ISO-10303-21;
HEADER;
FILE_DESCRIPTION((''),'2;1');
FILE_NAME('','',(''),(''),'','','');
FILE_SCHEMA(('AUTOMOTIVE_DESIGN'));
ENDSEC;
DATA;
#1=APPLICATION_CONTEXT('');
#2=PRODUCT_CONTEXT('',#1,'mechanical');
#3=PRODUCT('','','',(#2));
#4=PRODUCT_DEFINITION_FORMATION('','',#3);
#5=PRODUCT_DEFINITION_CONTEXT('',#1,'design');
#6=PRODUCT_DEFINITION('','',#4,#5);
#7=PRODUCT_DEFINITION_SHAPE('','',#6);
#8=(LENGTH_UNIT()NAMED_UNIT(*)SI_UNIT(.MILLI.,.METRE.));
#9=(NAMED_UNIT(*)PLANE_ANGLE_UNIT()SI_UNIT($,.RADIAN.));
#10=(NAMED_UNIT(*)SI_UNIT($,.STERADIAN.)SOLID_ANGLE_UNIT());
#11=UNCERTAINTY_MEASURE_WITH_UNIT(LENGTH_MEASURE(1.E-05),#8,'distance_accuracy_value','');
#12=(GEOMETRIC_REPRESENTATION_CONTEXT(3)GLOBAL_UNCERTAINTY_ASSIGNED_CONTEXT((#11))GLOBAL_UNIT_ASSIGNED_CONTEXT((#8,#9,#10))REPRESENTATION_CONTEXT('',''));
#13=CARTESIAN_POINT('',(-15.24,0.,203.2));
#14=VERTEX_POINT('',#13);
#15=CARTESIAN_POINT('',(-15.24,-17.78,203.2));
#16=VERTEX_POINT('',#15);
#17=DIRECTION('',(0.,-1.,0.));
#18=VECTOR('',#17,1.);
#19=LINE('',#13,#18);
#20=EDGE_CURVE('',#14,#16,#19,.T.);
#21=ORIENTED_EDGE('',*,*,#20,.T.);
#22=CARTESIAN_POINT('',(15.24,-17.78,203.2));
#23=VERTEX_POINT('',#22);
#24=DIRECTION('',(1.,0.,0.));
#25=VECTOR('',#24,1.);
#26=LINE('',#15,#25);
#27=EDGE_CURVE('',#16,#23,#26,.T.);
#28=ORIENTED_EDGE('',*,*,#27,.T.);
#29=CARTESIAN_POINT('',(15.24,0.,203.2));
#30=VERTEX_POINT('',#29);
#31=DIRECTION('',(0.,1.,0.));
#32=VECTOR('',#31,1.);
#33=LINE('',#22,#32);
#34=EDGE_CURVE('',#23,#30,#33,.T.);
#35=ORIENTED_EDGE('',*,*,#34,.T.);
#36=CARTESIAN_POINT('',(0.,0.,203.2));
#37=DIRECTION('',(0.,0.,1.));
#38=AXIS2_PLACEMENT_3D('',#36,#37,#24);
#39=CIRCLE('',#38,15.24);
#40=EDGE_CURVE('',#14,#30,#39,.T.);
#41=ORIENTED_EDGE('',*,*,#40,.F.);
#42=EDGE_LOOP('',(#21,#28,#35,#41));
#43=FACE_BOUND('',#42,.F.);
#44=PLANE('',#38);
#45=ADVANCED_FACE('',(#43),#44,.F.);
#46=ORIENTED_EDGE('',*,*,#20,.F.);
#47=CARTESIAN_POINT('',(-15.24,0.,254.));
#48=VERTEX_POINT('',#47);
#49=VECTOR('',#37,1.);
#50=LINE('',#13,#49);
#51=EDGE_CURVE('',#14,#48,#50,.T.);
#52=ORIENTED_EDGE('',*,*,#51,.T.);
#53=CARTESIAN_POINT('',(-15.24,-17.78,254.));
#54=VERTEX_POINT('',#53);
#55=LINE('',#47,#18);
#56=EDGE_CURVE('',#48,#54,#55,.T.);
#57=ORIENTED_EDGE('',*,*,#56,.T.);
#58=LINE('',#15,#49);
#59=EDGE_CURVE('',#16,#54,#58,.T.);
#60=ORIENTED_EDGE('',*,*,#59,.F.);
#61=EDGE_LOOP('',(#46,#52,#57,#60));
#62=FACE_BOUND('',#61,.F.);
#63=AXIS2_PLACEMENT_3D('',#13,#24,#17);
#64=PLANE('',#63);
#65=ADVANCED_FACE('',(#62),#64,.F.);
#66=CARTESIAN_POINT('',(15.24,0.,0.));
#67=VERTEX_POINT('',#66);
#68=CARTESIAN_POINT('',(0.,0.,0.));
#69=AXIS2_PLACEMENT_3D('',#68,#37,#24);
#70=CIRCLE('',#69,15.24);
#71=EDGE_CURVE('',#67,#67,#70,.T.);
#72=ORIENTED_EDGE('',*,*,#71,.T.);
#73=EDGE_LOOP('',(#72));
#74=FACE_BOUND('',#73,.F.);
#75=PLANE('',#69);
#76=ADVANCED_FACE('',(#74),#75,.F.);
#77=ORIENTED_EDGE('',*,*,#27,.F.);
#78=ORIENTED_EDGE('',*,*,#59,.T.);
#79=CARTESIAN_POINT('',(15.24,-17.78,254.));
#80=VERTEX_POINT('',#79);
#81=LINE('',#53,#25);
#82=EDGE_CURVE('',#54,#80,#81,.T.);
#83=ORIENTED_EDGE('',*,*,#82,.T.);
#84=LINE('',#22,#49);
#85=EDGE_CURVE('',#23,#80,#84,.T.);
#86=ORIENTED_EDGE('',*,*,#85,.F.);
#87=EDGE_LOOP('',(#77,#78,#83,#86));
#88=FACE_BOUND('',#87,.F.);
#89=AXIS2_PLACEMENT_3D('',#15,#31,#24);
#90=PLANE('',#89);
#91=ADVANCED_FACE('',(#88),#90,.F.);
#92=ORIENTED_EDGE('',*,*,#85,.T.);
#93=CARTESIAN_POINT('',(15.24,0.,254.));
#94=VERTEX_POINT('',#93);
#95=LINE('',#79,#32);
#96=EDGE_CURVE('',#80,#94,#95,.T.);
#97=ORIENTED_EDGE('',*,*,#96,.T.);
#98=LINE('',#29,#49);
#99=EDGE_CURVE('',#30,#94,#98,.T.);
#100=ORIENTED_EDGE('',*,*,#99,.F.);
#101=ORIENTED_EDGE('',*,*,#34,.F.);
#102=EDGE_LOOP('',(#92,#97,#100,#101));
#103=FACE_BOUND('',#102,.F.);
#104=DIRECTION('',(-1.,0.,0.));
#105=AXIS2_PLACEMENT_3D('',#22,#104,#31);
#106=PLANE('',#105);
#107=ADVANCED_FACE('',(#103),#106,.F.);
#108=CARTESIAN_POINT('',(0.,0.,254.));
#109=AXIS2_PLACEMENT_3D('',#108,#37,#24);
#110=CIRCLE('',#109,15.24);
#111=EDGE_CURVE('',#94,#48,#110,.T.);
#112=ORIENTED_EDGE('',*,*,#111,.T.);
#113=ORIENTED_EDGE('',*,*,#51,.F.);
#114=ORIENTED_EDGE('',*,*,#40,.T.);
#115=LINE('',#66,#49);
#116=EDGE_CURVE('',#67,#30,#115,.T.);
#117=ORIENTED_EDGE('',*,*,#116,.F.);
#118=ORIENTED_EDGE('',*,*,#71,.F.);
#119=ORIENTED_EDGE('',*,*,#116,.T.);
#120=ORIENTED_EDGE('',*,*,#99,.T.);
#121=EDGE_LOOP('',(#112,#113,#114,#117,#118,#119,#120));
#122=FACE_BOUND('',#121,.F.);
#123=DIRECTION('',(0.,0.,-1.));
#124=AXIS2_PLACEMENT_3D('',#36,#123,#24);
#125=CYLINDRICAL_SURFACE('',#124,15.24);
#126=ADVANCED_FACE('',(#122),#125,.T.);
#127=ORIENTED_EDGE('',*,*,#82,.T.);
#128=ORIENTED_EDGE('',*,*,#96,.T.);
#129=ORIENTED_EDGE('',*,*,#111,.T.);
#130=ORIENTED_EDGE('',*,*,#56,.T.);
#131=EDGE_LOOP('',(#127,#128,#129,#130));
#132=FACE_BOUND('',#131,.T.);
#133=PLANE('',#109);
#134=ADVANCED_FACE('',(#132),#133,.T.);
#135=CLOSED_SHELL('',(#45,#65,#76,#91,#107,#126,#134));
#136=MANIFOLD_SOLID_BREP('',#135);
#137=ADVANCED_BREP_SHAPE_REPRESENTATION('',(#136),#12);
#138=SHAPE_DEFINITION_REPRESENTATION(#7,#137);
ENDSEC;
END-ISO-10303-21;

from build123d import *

# Parameters (mm, degrees)
F0_R     = 15.24
F1_DEPTH = 203.2
F4_DEPTH = 50.8


with BuildPart() as f1:
    # F0 (on Top) → F1 (new body)
    with BuildSketch(Plane.XY):
        Circle(F0_R)
    extrude(amount=F1_DEPTH)

    # F3 (on face) → F4 (join)
    with BuildSketch(Plane.XY.offset(203.2)):
        with BuildLine():
            ThreePointArc((-15.24, 0), (0, -15.24), (15.24, 0))
            ThreePointArc((15.24, 0), (0, 15.24), (-15.24, 0))
        make_face()
        with BuildLine():
            Line((-15.24, -17.78), (15.24, -17.78))
            Line((15.24, -17.78), (15.24, 0))
            ThreePointArc((15.24, 0), (0, -15.24), (-15.24, 0))
            Line((-15.24, 0), (-15.24, -17.78))
        make_face()
    extrude(amount=F4_DEPTH)


solid = f1.part
